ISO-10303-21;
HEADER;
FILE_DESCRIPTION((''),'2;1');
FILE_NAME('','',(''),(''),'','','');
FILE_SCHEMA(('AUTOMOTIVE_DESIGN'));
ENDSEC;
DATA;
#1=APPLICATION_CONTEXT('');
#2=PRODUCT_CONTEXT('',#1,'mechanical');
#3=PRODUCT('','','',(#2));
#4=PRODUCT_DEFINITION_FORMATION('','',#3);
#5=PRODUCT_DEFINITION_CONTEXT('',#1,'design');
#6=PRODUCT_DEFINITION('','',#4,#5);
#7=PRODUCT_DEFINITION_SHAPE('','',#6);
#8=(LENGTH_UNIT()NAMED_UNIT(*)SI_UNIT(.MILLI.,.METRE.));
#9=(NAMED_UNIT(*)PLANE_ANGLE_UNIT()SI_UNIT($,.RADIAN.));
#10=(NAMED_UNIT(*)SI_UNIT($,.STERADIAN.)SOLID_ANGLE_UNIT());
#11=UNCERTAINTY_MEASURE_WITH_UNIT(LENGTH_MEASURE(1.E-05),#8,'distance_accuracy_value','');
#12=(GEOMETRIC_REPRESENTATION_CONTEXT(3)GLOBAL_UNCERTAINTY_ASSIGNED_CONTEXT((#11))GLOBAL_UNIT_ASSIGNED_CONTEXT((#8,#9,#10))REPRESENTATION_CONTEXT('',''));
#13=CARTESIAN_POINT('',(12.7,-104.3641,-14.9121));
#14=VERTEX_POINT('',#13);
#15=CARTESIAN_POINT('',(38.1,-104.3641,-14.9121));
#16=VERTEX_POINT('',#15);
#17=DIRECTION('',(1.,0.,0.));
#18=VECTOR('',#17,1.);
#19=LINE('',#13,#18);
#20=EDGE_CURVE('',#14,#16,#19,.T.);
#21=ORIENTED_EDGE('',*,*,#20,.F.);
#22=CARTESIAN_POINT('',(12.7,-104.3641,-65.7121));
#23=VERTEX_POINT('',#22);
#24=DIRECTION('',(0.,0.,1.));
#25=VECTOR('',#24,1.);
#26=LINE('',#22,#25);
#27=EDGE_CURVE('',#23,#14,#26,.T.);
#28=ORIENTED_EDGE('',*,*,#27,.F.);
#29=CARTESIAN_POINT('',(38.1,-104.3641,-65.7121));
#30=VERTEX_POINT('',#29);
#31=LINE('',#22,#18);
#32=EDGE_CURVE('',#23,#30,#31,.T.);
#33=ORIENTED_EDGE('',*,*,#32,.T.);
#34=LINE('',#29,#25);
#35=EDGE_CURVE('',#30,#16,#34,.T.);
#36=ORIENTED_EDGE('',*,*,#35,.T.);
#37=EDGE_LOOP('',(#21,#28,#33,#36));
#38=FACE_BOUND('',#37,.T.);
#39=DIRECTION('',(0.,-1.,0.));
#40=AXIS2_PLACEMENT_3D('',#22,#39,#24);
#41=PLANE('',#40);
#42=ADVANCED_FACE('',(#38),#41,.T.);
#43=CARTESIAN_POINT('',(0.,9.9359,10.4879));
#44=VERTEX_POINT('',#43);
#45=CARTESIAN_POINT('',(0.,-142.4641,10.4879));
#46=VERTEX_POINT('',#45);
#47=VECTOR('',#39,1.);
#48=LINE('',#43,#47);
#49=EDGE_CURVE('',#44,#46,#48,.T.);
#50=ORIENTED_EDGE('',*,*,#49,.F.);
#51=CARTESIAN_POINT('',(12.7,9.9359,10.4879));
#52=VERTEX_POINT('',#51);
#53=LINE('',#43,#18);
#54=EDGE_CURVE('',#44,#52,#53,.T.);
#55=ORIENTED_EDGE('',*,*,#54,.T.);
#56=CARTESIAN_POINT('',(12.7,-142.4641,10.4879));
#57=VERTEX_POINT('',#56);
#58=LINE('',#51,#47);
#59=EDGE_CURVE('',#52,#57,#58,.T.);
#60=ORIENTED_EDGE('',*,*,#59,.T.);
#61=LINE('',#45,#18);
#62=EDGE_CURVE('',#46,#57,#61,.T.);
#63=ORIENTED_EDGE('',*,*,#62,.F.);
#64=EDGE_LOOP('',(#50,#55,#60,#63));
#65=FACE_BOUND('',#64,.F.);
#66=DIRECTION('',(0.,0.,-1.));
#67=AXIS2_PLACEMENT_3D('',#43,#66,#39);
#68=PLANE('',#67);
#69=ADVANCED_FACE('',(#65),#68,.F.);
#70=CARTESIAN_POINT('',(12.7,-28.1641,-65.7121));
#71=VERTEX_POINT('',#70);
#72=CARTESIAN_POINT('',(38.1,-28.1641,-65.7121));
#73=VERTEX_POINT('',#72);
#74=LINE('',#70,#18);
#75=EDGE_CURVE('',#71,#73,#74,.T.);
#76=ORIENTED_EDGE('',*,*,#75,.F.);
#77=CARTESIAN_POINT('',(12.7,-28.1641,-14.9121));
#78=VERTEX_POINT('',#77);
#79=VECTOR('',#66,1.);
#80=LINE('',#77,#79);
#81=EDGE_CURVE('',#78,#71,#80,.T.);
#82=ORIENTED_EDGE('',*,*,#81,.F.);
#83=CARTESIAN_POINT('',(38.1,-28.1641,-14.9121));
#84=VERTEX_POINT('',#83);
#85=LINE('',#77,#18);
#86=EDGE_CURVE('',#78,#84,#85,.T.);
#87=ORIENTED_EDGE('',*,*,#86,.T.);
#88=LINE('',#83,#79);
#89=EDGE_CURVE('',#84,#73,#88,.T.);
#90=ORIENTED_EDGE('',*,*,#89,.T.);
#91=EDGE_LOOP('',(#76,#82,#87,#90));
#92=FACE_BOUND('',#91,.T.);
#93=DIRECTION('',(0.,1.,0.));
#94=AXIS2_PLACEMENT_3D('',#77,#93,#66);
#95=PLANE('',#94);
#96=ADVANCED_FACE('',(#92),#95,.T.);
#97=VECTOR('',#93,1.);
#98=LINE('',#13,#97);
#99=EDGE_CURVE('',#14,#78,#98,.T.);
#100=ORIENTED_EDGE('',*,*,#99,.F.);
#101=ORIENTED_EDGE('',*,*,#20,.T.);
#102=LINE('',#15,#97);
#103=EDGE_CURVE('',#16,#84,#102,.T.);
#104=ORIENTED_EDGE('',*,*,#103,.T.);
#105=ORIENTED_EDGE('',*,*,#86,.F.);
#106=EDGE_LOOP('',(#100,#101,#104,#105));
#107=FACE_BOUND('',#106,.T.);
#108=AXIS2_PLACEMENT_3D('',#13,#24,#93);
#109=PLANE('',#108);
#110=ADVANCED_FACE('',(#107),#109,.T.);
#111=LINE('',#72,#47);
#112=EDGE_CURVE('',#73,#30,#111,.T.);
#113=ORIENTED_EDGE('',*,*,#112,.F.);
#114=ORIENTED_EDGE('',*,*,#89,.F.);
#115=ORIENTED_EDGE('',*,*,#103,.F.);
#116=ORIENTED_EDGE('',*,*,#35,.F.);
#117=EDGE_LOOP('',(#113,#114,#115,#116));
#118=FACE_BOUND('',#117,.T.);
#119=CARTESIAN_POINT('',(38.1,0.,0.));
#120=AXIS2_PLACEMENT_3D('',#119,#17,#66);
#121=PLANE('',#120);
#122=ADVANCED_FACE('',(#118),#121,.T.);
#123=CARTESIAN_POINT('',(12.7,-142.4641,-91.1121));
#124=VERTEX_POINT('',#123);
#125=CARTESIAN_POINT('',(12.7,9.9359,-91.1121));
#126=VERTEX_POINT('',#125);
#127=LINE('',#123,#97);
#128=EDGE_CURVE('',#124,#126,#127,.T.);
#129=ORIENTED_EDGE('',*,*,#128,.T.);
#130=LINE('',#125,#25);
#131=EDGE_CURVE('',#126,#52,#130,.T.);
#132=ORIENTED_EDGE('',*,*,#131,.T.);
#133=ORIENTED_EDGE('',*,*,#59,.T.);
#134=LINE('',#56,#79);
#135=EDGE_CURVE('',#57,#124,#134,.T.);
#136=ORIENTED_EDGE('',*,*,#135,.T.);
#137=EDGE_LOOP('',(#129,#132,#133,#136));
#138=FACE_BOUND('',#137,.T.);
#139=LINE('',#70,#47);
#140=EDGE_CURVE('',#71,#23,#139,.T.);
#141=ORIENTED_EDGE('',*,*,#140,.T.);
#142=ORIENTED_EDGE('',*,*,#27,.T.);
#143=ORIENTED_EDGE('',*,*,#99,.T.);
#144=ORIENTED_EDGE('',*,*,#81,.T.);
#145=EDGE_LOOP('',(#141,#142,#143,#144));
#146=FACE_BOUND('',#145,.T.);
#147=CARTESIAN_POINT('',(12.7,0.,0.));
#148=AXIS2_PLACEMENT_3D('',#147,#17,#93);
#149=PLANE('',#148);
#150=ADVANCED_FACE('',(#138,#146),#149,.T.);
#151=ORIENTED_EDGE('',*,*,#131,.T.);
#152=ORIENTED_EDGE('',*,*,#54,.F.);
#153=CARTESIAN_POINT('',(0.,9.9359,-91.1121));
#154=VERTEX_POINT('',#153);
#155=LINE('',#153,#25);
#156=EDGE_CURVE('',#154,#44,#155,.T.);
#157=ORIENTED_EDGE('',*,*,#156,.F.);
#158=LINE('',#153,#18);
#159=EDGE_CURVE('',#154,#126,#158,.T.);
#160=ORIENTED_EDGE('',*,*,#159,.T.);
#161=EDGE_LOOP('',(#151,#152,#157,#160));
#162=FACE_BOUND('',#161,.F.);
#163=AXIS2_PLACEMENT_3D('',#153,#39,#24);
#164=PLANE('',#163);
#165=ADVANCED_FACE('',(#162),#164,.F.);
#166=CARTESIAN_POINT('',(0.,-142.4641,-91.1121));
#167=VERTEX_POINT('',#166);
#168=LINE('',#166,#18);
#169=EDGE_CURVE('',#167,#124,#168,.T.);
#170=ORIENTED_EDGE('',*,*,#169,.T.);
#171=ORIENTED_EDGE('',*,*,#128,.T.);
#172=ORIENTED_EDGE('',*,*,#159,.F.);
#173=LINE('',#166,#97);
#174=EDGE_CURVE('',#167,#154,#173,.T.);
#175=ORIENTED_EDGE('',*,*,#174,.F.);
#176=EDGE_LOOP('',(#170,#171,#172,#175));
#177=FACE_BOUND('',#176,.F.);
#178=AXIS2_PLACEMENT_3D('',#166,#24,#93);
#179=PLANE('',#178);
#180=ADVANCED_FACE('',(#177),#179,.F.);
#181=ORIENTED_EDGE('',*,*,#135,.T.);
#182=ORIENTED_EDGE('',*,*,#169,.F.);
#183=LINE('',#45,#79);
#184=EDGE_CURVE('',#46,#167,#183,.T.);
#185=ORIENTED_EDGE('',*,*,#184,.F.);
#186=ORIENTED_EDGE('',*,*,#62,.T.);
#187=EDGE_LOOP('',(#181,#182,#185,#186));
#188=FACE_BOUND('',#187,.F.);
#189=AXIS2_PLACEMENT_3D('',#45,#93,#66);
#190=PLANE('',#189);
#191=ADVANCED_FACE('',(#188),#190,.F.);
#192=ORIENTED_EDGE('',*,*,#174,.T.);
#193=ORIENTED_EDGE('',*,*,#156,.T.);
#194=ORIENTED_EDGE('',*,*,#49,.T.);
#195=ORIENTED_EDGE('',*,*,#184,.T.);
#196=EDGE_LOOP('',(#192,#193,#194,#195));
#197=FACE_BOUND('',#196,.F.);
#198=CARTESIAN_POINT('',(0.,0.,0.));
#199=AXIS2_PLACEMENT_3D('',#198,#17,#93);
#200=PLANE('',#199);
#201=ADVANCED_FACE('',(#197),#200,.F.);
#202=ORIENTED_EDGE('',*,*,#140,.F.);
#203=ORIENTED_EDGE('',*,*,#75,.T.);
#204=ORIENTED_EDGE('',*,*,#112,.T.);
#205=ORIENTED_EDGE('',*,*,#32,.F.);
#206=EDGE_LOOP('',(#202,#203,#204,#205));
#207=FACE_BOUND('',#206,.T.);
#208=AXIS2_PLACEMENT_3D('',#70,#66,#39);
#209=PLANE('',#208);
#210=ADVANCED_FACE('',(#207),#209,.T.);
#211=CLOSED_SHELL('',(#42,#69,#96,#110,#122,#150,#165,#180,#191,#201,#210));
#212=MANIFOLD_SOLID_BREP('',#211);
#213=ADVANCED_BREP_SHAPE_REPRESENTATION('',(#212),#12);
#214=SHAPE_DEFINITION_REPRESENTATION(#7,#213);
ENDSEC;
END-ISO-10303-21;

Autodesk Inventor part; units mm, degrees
ref_plane "YZ Plane" through (0, 0, 0) normal (1, 0, 0) x (0, 1, 0)
ref_plane "XZ Plane" through (0, 0, 0) normal (0, 1, 0) x (-1, 0, 0)
ref_plane "XY Plane" through (0, 0, 0) normal (0, 0, 1) x (1, 0, 0)
sketch "Sketch1" plane through (0, 0, 0) normal (1, 0, 0) x (0, 1, 0)
  line L0 (9.9359, 10.4879) -> (-142.4641, 10.4879)
  line L1 (-142.4641, 10.4879) -> (-142.4641, -91.1121)
  line L2 (-142.4641, -91.1121) -> (9.9359, -91.1121)
  line L3 (9.9359, -91.1121) -> (9.9359, 10.4879)
  point P0 (0, 0)
  dimension "d0" = 152.4
  dimension "d1" = 101.6
extrude "Extrusion1" add sketch "Sketch1" along normal blind 12.7
sketch "Sketch2" plane through (12.7, 0, 0) normal (1, 0, 0) x (0, 0, -1)
  line L0 (14.9121, -28.1641) -> (65.7121, -28.1641)
  line L1 (65.7121, -28.1641) -> (65.7121, -104.3641)
  line L2 (65.7121, -104.3641) -> (14.9121, -104.3641)
  line L3 (14.9121, -104.3641) -> (14.9121, -28.1641)
  line L4 (91.1121, -142.4641) -> (91.1121, 9.9359) projected
  line L5 (91.1121, 9.9359) -> (-10.4879, 9.9359) projected
  point P0 (0, 0)
  dimension "d4" = 50.8
  dimension "d5" = 76.2
  dimension "d6" = 25.4
  dimension "d7" = 38.1
extrude "Extrusion2" add sketch "Sketch2" along normal blind 25.4
properties part number "slider"
